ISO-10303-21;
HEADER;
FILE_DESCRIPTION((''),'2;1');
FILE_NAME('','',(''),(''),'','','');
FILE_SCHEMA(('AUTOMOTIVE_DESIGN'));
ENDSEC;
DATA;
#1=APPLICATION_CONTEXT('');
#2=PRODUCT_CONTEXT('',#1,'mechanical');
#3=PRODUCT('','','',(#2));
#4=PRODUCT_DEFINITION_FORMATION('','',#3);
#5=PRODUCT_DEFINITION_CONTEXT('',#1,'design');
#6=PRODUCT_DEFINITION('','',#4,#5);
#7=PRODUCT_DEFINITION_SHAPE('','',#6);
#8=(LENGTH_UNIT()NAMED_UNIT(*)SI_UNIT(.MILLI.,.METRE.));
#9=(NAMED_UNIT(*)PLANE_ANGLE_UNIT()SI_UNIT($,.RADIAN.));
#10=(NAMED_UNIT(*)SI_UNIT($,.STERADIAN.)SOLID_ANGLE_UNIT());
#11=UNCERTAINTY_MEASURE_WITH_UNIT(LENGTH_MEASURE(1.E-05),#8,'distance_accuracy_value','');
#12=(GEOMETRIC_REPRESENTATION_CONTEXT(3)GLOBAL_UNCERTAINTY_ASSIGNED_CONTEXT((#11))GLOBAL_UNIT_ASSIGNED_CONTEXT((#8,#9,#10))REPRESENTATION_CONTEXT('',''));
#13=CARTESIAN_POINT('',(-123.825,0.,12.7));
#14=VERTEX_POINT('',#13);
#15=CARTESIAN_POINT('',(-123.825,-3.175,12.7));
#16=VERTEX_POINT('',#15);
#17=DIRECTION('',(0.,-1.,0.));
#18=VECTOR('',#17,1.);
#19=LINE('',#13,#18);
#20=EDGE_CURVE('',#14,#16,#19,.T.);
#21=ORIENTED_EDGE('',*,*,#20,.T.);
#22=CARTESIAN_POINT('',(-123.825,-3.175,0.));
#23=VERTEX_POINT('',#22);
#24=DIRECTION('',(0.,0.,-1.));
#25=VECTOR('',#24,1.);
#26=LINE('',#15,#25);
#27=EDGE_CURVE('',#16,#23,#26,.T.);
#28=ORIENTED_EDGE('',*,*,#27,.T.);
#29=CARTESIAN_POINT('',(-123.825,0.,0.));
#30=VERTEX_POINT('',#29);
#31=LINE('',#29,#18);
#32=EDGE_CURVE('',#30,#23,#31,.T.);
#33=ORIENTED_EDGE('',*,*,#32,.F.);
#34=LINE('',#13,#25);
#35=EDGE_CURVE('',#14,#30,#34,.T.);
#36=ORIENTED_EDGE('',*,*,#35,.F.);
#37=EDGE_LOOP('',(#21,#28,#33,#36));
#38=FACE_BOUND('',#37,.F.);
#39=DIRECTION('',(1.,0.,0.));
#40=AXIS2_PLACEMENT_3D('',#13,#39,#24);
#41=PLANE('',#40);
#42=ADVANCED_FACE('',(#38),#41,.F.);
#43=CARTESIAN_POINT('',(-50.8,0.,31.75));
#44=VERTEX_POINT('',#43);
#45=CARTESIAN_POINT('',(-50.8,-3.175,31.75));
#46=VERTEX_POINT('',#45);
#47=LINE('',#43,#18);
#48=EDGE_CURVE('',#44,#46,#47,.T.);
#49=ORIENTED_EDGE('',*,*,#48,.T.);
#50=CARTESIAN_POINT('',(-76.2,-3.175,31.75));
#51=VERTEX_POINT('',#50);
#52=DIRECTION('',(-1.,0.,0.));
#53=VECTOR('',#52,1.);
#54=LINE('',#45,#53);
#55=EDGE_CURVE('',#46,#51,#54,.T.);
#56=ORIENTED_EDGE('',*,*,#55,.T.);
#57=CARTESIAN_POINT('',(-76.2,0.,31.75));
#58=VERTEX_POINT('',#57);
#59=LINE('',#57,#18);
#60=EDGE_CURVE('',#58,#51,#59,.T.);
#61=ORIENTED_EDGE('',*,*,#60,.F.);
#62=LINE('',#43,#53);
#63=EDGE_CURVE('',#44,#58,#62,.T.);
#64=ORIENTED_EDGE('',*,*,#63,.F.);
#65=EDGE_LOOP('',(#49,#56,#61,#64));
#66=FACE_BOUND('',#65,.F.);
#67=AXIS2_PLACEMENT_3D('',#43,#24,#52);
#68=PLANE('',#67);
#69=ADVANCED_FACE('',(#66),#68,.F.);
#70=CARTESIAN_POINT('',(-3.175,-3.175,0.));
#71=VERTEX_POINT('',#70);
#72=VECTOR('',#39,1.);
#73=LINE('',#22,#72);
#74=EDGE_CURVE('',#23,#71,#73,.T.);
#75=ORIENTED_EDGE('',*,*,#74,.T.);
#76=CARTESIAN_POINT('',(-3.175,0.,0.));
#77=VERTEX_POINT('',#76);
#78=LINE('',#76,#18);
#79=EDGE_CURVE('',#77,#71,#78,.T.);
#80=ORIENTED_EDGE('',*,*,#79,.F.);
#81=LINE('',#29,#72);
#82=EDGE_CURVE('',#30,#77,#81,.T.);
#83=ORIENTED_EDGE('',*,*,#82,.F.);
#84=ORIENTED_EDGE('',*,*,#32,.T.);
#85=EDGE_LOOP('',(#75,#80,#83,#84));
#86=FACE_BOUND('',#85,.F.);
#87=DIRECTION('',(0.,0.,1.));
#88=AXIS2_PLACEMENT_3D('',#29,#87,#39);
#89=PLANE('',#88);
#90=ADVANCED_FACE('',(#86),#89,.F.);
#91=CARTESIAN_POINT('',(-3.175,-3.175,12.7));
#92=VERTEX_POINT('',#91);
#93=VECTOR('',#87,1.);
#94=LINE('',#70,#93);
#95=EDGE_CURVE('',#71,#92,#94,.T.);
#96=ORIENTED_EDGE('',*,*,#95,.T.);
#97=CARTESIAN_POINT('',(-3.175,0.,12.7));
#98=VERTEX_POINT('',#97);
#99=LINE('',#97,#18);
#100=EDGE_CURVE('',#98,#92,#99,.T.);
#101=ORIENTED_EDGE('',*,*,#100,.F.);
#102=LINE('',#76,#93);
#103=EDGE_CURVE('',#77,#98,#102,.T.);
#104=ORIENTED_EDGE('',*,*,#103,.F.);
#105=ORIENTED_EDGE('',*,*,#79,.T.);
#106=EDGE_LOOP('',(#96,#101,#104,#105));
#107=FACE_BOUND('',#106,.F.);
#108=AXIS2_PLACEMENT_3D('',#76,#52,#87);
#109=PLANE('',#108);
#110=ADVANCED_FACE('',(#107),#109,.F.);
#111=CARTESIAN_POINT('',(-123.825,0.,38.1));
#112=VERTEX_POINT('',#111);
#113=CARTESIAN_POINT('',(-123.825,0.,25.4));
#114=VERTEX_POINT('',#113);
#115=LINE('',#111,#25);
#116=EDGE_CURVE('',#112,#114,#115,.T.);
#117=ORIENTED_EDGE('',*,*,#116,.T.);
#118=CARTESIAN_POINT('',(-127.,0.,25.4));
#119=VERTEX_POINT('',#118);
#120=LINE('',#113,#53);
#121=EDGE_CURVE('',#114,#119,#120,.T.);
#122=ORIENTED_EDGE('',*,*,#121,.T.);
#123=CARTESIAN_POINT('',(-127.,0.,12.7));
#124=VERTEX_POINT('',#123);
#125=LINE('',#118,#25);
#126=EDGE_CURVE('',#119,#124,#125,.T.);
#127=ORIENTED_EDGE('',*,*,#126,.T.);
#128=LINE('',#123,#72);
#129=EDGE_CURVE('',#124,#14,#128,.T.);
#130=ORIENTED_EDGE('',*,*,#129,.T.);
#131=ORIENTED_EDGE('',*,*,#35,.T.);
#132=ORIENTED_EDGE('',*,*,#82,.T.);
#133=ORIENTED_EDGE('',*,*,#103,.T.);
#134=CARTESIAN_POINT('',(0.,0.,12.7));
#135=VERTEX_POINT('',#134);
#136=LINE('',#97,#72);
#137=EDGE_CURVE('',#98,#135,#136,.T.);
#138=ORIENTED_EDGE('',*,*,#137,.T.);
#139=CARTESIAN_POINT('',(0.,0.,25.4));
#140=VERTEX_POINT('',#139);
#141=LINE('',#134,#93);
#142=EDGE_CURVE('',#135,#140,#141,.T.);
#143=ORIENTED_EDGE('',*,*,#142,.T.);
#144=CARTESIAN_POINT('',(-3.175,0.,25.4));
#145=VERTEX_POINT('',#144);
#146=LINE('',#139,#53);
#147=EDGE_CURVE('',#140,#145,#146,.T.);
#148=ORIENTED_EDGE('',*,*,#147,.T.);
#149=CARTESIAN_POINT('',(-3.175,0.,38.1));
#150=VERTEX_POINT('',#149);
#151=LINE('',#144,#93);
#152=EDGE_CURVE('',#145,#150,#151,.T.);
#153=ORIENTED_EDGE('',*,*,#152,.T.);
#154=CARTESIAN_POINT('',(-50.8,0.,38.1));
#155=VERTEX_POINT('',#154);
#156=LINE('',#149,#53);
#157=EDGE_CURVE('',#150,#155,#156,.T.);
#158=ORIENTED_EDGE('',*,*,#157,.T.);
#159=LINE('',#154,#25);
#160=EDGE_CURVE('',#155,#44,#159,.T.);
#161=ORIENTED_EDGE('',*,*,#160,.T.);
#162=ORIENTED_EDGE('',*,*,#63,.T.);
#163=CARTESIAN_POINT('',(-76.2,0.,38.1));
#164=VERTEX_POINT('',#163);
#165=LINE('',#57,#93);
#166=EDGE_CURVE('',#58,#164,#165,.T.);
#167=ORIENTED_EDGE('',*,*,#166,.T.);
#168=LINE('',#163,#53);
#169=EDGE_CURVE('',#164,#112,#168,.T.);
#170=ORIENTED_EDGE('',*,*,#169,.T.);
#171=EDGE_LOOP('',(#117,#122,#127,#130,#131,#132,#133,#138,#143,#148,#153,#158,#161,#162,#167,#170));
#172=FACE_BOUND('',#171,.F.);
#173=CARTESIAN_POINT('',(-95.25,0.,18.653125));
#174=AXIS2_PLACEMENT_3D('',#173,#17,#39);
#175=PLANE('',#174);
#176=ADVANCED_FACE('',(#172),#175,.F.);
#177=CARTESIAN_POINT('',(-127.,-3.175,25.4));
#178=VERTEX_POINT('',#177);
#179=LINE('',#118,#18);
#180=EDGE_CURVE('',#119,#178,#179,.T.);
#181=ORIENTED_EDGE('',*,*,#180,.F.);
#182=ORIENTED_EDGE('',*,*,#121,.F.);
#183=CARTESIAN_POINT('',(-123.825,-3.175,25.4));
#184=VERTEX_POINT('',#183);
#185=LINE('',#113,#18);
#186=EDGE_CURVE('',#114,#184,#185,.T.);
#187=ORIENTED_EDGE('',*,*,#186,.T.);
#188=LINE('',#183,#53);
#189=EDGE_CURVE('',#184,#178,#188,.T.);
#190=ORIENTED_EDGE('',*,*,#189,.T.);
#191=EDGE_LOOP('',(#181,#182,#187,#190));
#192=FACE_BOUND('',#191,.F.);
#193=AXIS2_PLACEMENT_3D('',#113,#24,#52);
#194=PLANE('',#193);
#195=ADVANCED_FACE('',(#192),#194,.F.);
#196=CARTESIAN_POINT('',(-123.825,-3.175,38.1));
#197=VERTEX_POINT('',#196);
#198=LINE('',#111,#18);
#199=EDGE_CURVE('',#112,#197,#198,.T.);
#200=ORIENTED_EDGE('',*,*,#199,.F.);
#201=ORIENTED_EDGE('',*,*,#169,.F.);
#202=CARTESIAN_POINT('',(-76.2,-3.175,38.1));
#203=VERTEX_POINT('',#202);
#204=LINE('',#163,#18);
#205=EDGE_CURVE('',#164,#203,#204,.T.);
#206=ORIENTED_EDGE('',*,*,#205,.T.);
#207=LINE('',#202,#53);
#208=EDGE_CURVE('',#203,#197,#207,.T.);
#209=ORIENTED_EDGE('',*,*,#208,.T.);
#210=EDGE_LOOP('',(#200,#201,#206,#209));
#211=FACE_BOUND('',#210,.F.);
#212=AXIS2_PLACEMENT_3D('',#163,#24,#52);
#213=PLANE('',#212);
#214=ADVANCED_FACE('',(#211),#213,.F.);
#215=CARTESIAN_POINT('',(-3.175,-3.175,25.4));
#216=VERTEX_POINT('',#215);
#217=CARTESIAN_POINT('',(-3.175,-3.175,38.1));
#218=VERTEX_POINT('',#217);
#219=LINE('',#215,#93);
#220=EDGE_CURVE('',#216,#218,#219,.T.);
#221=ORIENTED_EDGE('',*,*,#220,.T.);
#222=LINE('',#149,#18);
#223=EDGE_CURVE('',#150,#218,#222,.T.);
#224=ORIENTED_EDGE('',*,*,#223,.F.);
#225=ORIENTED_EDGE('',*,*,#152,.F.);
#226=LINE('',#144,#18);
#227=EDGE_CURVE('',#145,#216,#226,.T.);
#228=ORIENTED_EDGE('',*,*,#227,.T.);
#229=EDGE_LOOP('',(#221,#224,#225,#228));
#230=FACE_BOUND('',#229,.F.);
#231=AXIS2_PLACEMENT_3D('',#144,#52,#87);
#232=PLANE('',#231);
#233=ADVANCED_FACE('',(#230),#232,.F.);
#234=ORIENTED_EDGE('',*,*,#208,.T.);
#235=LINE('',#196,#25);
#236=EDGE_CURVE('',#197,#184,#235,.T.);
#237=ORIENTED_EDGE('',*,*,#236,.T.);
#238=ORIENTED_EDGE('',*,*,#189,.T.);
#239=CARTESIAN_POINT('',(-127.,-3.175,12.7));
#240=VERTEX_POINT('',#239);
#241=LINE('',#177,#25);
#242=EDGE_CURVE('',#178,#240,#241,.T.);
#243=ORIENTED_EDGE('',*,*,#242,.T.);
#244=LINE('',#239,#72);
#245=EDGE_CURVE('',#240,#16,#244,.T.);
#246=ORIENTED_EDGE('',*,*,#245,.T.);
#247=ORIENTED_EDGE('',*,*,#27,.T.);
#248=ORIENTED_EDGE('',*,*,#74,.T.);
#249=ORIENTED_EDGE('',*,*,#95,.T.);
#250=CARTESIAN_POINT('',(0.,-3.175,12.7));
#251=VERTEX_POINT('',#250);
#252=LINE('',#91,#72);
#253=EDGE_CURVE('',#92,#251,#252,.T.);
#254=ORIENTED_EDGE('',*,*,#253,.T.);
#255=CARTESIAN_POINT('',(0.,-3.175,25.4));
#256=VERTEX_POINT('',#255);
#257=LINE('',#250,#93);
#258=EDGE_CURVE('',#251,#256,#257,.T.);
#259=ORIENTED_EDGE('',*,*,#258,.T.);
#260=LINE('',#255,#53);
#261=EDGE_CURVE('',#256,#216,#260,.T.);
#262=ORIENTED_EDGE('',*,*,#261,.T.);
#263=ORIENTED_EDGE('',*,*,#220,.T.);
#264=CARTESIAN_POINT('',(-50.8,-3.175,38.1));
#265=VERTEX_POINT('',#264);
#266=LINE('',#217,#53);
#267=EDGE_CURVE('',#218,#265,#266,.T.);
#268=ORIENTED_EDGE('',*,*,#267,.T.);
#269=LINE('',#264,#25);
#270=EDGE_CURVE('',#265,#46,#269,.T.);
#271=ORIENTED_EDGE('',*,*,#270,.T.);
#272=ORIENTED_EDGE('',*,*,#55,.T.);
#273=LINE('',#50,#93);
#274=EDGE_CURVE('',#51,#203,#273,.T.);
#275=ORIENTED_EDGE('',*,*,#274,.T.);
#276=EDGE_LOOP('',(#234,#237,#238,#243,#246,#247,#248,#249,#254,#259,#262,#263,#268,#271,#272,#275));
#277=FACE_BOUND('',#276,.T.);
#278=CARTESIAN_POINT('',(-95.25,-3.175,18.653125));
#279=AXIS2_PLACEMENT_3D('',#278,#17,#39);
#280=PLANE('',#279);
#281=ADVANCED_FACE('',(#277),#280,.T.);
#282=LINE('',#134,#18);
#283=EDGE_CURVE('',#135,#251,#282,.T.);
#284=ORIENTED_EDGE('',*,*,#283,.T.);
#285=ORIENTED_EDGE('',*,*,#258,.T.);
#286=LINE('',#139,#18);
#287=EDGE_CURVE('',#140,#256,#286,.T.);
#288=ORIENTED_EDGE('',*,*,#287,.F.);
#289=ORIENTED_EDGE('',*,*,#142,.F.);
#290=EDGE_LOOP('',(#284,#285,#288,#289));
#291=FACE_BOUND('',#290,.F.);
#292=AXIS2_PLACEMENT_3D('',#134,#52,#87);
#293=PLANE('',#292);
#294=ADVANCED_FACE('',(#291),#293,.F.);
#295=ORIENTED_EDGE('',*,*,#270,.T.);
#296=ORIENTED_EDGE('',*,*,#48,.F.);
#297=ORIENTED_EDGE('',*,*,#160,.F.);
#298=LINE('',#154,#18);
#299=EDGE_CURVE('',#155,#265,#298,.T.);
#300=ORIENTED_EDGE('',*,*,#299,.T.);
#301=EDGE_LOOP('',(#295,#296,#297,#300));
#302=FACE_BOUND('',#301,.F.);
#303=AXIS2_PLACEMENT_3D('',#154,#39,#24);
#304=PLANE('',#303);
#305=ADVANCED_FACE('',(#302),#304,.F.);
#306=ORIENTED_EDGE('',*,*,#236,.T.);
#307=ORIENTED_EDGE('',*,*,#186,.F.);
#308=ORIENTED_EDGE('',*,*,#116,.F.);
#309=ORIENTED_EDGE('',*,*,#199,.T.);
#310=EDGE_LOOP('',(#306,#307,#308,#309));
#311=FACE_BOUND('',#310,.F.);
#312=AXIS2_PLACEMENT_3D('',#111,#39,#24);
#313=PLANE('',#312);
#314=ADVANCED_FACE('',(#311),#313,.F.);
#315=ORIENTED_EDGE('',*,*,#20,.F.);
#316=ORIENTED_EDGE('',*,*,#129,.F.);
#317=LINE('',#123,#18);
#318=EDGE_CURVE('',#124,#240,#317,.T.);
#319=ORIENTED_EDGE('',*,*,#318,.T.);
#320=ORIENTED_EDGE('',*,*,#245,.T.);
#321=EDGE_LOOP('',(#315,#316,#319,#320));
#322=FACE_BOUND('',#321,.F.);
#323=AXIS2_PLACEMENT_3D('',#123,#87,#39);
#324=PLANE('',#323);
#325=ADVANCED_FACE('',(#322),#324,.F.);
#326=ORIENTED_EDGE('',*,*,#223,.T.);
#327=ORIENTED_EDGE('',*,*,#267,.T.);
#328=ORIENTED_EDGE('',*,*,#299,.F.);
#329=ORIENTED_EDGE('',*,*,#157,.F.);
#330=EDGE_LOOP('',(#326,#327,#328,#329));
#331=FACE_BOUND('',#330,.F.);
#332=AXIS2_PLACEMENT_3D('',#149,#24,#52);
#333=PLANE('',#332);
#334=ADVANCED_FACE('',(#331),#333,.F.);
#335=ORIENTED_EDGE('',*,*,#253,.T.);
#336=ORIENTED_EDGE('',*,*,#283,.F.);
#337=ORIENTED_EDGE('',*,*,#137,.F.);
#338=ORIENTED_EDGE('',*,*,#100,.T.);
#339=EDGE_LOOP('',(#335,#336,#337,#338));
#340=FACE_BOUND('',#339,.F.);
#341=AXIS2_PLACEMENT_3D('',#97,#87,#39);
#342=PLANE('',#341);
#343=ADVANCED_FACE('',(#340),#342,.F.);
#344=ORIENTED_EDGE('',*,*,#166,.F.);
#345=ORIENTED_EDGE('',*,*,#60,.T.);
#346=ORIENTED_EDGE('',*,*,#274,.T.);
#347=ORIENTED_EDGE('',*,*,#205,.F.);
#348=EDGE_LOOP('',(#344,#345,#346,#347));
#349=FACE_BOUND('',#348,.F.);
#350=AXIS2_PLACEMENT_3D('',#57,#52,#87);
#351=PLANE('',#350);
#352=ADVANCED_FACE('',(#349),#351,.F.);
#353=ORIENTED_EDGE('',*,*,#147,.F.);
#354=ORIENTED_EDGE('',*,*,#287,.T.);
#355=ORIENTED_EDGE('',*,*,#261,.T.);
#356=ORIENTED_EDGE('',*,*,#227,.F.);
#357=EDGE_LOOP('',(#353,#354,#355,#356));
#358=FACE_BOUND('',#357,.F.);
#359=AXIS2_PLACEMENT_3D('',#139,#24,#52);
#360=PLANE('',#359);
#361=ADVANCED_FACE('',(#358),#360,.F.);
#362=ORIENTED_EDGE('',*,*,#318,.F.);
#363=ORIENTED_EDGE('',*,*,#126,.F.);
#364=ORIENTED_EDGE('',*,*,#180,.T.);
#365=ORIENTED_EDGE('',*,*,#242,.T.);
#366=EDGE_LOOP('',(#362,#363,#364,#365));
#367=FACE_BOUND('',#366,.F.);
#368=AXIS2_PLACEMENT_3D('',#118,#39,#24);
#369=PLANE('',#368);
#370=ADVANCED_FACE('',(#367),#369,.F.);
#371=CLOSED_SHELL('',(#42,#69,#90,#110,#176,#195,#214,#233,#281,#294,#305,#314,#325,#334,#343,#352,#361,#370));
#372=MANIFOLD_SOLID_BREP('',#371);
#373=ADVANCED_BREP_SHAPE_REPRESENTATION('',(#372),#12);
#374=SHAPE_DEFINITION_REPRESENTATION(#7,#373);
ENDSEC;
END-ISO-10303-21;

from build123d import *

# Parameters (mm, degrees)
F1_DEPTH = 3.175


with BuildPart() as f1:
    # F0 (on Front) → F1 (new body)
    with BuildSketch(Plane.XZ):
        Polygon((-123.825, 0), (-63.5, 0), (-63.5, 31.75), (-76.2, 31.75), (-76.2, 38.1), (-123.825, 38.1), (-123.825, 25.4), (-127, 25.4), (-127, 12.7), (-123.825, 12.7), align=None)
        Polygon((-63.5, 0), (-3.175, 0), (-3.175, 12.7), (0, 12.7), (0, 25.4), (-3.175, 25.4), (-3.175, 38.1), (-50.8, 38.1), (-50.8, 31.75), (-63.5, 31.75), align=None)
    extrude(amount=F1_DEPTH)


solid = f1.part
